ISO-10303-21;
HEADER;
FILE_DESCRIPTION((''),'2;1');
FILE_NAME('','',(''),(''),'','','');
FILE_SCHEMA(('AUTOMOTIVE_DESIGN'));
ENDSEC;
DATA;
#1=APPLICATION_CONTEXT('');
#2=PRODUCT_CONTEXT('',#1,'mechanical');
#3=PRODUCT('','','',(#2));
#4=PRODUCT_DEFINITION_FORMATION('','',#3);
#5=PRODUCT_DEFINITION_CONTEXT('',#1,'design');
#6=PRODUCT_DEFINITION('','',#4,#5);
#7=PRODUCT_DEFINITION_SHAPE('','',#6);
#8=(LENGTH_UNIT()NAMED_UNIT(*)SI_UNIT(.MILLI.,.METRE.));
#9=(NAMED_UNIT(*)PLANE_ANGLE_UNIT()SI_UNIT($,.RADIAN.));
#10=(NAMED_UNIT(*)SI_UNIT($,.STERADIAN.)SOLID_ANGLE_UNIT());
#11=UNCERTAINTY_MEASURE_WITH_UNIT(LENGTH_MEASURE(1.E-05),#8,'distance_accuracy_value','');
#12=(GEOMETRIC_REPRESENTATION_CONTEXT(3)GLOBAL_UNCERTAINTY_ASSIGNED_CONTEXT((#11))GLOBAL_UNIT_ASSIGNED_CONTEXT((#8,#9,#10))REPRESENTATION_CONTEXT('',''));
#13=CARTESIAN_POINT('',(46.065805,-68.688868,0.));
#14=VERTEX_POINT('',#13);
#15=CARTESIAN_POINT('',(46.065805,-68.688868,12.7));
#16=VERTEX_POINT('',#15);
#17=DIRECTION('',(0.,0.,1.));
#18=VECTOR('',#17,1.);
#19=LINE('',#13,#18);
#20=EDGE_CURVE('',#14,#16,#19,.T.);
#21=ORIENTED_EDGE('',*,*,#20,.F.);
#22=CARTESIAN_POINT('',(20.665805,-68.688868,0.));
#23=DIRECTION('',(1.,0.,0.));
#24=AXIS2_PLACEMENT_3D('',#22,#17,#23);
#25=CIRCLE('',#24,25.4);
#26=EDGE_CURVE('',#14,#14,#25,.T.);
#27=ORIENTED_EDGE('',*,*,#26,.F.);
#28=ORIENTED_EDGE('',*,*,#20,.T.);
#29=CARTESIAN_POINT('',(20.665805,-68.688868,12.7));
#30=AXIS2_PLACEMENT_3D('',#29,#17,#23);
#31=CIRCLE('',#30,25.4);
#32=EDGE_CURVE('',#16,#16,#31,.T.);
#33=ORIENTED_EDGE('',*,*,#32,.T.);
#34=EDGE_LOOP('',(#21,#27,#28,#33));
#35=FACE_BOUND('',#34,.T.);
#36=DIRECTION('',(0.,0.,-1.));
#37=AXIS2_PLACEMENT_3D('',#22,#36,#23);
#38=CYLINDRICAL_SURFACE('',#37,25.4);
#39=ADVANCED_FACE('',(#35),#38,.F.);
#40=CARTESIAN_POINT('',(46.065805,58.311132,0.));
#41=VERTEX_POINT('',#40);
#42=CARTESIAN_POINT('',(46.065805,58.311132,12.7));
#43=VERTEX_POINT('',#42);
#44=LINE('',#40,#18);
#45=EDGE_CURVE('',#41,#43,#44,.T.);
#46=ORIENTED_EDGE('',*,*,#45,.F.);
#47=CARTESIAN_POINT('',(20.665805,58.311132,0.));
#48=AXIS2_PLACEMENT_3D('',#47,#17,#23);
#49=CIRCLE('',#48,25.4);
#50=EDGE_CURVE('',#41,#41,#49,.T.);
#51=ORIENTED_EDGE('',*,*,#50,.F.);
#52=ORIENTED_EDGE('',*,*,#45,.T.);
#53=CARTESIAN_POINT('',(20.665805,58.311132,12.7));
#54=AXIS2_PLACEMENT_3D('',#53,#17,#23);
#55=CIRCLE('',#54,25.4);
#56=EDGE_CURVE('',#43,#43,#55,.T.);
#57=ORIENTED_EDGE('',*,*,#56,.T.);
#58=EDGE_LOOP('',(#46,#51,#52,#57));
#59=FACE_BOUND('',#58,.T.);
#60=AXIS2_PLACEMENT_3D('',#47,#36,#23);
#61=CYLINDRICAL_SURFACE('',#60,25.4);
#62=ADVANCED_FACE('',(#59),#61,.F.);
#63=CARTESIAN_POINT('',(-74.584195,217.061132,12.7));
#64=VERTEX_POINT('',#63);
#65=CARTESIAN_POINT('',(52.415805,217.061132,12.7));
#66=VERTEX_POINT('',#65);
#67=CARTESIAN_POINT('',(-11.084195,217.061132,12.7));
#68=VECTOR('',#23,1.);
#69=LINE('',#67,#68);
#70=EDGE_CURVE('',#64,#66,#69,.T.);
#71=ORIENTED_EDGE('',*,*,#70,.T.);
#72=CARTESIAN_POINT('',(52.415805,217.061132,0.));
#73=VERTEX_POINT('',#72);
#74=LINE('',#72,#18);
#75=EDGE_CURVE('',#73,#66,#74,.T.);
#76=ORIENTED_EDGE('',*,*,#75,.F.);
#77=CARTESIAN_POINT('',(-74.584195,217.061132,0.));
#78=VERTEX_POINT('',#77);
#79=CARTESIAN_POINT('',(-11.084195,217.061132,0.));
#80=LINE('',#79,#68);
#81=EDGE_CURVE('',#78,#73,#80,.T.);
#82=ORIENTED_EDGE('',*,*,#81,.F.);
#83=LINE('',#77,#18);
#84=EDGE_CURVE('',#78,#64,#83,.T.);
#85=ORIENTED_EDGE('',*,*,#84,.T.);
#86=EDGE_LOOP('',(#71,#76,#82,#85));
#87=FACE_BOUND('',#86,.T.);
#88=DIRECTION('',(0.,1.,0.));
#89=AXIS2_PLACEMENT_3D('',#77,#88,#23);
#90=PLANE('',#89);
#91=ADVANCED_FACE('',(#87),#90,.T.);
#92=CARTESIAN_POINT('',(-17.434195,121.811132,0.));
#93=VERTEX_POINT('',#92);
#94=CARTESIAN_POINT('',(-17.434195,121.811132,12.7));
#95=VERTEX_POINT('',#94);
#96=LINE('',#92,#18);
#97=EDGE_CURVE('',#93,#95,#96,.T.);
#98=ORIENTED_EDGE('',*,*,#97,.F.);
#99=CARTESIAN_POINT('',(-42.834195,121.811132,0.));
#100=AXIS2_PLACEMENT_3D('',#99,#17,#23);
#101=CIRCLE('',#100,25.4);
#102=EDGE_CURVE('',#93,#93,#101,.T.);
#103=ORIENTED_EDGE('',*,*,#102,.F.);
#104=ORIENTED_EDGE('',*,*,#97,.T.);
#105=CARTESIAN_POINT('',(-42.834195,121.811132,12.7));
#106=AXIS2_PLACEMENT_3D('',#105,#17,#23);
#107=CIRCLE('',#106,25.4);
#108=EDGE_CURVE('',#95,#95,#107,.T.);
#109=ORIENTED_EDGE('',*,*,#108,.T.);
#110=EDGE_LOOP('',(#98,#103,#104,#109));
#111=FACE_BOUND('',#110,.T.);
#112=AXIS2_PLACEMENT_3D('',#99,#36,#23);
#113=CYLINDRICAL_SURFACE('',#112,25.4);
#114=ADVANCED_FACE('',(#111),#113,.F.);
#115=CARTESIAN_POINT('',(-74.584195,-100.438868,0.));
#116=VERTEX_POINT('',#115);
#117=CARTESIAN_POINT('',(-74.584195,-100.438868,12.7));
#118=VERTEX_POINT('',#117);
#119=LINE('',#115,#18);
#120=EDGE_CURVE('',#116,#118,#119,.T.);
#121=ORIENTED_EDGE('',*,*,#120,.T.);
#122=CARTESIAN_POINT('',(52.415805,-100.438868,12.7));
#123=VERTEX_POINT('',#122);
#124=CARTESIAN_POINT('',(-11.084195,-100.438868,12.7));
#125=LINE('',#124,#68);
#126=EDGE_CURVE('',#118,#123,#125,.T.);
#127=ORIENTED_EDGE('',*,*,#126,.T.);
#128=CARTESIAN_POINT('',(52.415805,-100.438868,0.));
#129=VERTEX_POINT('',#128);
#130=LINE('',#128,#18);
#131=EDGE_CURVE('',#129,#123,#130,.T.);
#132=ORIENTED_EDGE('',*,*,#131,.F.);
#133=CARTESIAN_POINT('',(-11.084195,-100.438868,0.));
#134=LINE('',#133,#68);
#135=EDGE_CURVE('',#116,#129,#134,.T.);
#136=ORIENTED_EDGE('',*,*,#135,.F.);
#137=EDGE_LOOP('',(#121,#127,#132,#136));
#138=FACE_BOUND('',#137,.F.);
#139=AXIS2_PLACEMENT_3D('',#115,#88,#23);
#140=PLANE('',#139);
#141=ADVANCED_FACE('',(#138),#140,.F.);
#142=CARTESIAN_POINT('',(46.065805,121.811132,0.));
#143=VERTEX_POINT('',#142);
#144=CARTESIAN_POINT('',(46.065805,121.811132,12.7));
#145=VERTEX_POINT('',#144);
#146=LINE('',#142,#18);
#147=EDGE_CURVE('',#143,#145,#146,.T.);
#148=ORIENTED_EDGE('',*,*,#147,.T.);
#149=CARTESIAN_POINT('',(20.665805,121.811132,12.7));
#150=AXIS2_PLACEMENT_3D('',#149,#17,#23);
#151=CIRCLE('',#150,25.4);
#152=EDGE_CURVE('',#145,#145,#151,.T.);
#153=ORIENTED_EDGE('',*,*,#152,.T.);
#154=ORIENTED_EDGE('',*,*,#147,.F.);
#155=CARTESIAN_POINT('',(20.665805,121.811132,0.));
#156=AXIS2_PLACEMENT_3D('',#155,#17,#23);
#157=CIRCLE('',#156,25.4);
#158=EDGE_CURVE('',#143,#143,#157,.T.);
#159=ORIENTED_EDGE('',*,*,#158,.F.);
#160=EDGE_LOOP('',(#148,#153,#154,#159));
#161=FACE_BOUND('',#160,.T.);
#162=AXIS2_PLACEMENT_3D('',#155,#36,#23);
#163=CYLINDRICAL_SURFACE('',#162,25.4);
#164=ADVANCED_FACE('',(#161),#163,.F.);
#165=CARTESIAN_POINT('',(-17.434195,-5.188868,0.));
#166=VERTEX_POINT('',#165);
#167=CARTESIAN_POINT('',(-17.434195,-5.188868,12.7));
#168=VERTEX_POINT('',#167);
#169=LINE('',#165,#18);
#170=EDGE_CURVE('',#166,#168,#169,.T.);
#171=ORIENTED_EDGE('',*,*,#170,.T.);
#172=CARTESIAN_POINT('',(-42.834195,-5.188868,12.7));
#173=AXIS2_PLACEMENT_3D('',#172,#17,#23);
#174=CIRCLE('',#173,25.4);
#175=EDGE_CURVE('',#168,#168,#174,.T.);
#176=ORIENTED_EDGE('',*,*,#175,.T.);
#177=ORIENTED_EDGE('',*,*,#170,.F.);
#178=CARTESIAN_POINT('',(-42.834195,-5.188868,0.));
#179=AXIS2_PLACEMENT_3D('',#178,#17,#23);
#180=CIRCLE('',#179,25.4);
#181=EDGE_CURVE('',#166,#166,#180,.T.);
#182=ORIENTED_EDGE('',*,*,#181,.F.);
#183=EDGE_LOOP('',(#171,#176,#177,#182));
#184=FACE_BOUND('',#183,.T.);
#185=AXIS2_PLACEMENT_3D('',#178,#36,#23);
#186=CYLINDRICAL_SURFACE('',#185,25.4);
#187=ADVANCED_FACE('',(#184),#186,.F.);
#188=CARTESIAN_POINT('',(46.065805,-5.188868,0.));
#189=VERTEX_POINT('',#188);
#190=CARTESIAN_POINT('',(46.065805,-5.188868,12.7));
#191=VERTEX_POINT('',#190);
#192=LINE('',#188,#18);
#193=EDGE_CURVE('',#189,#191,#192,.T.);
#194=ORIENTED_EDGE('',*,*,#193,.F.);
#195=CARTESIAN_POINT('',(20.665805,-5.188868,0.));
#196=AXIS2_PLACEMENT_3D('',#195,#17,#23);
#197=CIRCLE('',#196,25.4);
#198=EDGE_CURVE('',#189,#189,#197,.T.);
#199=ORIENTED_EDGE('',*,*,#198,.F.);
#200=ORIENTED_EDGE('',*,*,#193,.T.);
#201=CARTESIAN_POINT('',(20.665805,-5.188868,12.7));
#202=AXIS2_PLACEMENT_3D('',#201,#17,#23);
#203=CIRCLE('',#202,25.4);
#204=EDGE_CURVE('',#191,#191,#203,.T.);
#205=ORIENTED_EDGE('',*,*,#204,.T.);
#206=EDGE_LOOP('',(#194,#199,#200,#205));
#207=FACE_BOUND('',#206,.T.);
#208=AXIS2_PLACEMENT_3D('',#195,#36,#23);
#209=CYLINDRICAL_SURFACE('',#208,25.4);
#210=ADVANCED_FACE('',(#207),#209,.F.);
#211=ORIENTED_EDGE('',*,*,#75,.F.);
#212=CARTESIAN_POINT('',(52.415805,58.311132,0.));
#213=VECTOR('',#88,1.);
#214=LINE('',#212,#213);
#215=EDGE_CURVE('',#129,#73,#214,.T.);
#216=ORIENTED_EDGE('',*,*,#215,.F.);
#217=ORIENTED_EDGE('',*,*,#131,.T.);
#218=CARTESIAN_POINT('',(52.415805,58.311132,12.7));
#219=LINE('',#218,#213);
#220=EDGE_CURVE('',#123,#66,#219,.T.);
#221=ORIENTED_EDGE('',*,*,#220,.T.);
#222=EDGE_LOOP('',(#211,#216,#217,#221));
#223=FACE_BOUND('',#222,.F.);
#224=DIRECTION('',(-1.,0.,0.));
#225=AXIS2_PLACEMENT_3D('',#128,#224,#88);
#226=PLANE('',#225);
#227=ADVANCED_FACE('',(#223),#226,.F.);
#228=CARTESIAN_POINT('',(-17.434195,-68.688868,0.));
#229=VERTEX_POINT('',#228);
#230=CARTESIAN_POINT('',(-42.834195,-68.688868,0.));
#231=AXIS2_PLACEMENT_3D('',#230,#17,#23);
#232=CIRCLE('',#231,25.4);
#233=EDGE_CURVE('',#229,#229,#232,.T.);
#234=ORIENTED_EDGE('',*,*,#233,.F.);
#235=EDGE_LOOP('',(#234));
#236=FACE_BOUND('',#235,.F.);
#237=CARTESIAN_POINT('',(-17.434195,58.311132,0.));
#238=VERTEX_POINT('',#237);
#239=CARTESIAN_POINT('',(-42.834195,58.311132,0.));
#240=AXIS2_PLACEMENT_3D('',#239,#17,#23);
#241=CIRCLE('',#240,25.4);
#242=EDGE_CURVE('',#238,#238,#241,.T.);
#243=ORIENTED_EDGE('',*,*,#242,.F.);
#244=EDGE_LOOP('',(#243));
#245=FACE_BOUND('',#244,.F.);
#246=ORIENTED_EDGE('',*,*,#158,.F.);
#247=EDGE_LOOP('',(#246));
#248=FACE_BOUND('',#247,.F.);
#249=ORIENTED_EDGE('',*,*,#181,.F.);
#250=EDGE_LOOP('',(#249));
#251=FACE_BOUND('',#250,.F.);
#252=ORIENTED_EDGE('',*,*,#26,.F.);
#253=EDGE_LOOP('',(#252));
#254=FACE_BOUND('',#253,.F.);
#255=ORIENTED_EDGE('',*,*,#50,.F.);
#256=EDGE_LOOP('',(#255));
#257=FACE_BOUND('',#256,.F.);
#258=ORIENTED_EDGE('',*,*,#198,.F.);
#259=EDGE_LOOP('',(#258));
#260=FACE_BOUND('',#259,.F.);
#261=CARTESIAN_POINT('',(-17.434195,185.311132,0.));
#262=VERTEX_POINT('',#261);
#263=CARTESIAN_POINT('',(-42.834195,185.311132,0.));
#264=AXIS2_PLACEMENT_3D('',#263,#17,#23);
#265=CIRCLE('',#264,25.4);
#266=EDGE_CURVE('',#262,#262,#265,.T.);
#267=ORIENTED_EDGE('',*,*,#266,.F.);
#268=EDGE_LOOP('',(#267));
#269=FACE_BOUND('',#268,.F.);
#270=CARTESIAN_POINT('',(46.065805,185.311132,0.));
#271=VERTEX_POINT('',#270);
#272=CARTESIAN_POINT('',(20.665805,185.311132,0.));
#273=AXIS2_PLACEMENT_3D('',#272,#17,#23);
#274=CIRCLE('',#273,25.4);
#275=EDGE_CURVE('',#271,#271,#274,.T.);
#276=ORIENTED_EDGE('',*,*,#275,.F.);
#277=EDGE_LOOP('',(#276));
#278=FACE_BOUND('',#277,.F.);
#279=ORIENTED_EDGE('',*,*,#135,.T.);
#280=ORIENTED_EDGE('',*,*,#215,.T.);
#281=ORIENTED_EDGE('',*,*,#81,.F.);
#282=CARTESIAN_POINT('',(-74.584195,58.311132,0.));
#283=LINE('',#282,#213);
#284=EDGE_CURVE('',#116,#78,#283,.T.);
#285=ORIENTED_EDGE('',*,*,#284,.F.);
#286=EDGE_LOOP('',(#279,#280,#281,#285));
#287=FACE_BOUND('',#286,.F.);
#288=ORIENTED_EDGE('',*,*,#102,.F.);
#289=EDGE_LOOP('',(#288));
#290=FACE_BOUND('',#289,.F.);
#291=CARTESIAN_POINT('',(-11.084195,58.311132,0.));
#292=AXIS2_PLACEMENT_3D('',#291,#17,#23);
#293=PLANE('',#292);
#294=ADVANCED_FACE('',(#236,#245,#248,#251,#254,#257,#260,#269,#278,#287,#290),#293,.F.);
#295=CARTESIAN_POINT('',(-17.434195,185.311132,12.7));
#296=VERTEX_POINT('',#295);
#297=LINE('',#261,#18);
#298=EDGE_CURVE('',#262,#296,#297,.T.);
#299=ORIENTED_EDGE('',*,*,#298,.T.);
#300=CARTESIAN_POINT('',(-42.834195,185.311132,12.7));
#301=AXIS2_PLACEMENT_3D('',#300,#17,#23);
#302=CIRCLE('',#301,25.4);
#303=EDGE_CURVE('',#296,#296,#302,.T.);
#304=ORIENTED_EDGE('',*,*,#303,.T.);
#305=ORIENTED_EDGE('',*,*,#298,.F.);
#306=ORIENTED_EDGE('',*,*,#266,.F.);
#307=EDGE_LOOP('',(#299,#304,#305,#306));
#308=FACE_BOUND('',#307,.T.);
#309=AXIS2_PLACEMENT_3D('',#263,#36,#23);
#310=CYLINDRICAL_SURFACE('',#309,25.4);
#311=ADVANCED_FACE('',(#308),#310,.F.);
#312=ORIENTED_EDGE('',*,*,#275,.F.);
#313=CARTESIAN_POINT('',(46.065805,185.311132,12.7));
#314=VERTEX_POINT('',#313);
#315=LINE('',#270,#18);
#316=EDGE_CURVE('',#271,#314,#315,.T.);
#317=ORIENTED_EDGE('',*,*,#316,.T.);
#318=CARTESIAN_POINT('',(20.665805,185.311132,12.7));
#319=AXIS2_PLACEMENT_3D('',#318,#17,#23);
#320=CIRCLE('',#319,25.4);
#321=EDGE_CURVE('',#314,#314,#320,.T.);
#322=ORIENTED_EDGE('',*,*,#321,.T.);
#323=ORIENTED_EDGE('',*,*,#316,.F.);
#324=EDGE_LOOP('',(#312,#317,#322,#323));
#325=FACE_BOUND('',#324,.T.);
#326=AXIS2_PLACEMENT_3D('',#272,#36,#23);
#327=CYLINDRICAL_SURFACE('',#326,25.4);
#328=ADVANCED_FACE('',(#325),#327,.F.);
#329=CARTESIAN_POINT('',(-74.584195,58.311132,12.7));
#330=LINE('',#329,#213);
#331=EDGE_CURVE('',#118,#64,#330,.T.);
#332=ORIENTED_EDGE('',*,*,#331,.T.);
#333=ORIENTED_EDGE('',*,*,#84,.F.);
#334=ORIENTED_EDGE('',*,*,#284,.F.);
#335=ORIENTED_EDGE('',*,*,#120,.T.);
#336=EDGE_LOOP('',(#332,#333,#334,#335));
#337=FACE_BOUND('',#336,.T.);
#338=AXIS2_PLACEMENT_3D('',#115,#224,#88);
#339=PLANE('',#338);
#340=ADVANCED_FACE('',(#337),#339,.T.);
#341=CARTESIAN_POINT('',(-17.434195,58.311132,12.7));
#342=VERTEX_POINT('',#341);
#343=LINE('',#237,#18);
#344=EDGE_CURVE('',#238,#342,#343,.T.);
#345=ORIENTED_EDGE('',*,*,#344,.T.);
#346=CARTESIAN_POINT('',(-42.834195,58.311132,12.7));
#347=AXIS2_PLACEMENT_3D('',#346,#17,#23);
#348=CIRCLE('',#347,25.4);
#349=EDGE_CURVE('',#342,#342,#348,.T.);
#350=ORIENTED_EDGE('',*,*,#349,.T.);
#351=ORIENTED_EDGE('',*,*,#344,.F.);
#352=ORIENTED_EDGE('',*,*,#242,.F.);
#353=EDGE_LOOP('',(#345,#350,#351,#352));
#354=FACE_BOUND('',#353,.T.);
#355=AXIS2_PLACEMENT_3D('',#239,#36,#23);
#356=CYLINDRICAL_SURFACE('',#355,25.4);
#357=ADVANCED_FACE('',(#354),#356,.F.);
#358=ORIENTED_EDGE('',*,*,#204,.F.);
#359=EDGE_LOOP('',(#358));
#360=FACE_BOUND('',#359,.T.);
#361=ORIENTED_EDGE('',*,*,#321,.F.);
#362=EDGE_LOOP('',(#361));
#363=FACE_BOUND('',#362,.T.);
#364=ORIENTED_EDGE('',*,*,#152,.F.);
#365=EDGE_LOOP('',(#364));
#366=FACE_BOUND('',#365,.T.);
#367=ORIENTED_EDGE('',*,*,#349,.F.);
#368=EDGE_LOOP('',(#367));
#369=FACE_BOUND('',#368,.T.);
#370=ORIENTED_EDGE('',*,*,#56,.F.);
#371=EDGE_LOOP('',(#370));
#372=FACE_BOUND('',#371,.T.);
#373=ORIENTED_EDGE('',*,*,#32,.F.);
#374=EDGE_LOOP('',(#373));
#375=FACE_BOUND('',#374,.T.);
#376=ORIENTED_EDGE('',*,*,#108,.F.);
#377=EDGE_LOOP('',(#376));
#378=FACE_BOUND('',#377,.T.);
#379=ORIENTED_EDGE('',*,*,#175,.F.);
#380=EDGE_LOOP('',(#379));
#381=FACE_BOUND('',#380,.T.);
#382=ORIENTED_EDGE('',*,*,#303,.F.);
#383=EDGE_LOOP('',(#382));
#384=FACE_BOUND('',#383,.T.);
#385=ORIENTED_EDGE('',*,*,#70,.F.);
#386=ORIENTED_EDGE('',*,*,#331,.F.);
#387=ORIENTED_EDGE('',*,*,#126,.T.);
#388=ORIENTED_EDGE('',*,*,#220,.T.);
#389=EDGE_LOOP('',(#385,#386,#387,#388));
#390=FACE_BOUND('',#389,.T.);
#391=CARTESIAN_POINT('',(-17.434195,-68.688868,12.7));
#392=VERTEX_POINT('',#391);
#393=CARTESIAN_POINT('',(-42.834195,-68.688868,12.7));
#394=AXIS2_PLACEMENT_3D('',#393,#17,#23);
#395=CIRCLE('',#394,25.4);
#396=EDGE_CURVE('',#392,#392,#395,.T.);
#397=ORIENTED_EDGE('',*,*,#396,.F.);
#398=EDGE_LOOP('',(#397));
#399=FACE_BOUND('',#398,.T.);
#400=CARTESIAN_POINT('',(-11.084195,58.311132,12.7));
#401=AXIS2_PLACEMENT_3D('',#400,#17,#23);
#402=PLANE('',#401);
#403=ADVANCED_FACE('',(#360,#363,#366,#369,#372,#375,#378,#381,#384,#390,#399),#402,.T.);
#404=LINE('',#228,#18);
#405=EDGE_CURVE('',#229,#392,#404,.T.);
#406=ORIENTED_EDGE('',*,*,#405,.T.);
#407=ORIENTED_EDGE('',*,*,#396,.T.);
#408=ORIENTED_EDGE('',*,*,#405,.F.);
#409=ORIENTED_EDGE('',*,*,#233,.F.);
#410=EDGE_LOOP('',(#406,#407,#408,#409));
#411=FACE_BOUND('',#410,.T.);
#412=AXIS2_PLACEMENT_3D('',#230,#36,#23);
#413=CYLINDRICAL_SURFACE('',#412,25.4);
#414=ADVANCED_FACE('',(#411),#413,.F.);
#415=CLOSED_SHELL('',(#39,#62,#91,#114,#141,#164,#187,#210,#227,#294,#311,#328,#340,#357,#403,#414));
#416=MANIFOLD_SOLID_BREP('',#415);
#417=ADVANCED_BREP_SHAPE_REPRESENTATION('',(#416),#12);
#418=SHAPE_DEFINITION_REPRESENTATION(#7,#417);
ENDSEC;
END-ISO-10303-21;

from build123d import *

# Parameters (mm, degrees)
F0_W     = 127
F0_H     = 317.5
F2_DEPTH = 12.7
F1_R     = 25.4
F3_DEPTH = 12.7


with BuildPart() as f2:
    # F0 (on Top) → F2 (new body)
    with BuildSketch(Plane.XY):
        with Locations((-11.084195, 58.311132)):
            Rectangle(F0_W, F0_H)
    extrude(amount=F2_DEPTH)

    # F1 (on face) → F3 (cut, through all)
    with BuildSketch(Plane.XY):
        with Locations((-42.834195, 185.311132)):
            Circle(F1_R)
        with Locations((20.665805, 185.311132)):
            Circle(F1_R)
        with Locations((-42.834195, 121.811132)):
            Circle(F1_R)
        with Locations((20.665805, 121.811132)):
            Circle(F1_R)
        with Locations((-42.834195, 58.311132)):
            Circle(F1_R)
        with Locations((20.665805, 58.311132)):
            Circle(F1_R)
        with Locations((-42.834195, -5.188868)):
            Circle(F1_R)
        with Locations((20.665805, -5.188868)):
            Circle(F1_R)
        with Locations((-42.834195, -68.688868)):
            Circle(F1_R)
        with Locations((20.665805, -68.688868)):
            Circle(F1_R)
    extrude(amount=F3_DEPTH, mode=Mode.SUBTRACT)


solid = f2.part
